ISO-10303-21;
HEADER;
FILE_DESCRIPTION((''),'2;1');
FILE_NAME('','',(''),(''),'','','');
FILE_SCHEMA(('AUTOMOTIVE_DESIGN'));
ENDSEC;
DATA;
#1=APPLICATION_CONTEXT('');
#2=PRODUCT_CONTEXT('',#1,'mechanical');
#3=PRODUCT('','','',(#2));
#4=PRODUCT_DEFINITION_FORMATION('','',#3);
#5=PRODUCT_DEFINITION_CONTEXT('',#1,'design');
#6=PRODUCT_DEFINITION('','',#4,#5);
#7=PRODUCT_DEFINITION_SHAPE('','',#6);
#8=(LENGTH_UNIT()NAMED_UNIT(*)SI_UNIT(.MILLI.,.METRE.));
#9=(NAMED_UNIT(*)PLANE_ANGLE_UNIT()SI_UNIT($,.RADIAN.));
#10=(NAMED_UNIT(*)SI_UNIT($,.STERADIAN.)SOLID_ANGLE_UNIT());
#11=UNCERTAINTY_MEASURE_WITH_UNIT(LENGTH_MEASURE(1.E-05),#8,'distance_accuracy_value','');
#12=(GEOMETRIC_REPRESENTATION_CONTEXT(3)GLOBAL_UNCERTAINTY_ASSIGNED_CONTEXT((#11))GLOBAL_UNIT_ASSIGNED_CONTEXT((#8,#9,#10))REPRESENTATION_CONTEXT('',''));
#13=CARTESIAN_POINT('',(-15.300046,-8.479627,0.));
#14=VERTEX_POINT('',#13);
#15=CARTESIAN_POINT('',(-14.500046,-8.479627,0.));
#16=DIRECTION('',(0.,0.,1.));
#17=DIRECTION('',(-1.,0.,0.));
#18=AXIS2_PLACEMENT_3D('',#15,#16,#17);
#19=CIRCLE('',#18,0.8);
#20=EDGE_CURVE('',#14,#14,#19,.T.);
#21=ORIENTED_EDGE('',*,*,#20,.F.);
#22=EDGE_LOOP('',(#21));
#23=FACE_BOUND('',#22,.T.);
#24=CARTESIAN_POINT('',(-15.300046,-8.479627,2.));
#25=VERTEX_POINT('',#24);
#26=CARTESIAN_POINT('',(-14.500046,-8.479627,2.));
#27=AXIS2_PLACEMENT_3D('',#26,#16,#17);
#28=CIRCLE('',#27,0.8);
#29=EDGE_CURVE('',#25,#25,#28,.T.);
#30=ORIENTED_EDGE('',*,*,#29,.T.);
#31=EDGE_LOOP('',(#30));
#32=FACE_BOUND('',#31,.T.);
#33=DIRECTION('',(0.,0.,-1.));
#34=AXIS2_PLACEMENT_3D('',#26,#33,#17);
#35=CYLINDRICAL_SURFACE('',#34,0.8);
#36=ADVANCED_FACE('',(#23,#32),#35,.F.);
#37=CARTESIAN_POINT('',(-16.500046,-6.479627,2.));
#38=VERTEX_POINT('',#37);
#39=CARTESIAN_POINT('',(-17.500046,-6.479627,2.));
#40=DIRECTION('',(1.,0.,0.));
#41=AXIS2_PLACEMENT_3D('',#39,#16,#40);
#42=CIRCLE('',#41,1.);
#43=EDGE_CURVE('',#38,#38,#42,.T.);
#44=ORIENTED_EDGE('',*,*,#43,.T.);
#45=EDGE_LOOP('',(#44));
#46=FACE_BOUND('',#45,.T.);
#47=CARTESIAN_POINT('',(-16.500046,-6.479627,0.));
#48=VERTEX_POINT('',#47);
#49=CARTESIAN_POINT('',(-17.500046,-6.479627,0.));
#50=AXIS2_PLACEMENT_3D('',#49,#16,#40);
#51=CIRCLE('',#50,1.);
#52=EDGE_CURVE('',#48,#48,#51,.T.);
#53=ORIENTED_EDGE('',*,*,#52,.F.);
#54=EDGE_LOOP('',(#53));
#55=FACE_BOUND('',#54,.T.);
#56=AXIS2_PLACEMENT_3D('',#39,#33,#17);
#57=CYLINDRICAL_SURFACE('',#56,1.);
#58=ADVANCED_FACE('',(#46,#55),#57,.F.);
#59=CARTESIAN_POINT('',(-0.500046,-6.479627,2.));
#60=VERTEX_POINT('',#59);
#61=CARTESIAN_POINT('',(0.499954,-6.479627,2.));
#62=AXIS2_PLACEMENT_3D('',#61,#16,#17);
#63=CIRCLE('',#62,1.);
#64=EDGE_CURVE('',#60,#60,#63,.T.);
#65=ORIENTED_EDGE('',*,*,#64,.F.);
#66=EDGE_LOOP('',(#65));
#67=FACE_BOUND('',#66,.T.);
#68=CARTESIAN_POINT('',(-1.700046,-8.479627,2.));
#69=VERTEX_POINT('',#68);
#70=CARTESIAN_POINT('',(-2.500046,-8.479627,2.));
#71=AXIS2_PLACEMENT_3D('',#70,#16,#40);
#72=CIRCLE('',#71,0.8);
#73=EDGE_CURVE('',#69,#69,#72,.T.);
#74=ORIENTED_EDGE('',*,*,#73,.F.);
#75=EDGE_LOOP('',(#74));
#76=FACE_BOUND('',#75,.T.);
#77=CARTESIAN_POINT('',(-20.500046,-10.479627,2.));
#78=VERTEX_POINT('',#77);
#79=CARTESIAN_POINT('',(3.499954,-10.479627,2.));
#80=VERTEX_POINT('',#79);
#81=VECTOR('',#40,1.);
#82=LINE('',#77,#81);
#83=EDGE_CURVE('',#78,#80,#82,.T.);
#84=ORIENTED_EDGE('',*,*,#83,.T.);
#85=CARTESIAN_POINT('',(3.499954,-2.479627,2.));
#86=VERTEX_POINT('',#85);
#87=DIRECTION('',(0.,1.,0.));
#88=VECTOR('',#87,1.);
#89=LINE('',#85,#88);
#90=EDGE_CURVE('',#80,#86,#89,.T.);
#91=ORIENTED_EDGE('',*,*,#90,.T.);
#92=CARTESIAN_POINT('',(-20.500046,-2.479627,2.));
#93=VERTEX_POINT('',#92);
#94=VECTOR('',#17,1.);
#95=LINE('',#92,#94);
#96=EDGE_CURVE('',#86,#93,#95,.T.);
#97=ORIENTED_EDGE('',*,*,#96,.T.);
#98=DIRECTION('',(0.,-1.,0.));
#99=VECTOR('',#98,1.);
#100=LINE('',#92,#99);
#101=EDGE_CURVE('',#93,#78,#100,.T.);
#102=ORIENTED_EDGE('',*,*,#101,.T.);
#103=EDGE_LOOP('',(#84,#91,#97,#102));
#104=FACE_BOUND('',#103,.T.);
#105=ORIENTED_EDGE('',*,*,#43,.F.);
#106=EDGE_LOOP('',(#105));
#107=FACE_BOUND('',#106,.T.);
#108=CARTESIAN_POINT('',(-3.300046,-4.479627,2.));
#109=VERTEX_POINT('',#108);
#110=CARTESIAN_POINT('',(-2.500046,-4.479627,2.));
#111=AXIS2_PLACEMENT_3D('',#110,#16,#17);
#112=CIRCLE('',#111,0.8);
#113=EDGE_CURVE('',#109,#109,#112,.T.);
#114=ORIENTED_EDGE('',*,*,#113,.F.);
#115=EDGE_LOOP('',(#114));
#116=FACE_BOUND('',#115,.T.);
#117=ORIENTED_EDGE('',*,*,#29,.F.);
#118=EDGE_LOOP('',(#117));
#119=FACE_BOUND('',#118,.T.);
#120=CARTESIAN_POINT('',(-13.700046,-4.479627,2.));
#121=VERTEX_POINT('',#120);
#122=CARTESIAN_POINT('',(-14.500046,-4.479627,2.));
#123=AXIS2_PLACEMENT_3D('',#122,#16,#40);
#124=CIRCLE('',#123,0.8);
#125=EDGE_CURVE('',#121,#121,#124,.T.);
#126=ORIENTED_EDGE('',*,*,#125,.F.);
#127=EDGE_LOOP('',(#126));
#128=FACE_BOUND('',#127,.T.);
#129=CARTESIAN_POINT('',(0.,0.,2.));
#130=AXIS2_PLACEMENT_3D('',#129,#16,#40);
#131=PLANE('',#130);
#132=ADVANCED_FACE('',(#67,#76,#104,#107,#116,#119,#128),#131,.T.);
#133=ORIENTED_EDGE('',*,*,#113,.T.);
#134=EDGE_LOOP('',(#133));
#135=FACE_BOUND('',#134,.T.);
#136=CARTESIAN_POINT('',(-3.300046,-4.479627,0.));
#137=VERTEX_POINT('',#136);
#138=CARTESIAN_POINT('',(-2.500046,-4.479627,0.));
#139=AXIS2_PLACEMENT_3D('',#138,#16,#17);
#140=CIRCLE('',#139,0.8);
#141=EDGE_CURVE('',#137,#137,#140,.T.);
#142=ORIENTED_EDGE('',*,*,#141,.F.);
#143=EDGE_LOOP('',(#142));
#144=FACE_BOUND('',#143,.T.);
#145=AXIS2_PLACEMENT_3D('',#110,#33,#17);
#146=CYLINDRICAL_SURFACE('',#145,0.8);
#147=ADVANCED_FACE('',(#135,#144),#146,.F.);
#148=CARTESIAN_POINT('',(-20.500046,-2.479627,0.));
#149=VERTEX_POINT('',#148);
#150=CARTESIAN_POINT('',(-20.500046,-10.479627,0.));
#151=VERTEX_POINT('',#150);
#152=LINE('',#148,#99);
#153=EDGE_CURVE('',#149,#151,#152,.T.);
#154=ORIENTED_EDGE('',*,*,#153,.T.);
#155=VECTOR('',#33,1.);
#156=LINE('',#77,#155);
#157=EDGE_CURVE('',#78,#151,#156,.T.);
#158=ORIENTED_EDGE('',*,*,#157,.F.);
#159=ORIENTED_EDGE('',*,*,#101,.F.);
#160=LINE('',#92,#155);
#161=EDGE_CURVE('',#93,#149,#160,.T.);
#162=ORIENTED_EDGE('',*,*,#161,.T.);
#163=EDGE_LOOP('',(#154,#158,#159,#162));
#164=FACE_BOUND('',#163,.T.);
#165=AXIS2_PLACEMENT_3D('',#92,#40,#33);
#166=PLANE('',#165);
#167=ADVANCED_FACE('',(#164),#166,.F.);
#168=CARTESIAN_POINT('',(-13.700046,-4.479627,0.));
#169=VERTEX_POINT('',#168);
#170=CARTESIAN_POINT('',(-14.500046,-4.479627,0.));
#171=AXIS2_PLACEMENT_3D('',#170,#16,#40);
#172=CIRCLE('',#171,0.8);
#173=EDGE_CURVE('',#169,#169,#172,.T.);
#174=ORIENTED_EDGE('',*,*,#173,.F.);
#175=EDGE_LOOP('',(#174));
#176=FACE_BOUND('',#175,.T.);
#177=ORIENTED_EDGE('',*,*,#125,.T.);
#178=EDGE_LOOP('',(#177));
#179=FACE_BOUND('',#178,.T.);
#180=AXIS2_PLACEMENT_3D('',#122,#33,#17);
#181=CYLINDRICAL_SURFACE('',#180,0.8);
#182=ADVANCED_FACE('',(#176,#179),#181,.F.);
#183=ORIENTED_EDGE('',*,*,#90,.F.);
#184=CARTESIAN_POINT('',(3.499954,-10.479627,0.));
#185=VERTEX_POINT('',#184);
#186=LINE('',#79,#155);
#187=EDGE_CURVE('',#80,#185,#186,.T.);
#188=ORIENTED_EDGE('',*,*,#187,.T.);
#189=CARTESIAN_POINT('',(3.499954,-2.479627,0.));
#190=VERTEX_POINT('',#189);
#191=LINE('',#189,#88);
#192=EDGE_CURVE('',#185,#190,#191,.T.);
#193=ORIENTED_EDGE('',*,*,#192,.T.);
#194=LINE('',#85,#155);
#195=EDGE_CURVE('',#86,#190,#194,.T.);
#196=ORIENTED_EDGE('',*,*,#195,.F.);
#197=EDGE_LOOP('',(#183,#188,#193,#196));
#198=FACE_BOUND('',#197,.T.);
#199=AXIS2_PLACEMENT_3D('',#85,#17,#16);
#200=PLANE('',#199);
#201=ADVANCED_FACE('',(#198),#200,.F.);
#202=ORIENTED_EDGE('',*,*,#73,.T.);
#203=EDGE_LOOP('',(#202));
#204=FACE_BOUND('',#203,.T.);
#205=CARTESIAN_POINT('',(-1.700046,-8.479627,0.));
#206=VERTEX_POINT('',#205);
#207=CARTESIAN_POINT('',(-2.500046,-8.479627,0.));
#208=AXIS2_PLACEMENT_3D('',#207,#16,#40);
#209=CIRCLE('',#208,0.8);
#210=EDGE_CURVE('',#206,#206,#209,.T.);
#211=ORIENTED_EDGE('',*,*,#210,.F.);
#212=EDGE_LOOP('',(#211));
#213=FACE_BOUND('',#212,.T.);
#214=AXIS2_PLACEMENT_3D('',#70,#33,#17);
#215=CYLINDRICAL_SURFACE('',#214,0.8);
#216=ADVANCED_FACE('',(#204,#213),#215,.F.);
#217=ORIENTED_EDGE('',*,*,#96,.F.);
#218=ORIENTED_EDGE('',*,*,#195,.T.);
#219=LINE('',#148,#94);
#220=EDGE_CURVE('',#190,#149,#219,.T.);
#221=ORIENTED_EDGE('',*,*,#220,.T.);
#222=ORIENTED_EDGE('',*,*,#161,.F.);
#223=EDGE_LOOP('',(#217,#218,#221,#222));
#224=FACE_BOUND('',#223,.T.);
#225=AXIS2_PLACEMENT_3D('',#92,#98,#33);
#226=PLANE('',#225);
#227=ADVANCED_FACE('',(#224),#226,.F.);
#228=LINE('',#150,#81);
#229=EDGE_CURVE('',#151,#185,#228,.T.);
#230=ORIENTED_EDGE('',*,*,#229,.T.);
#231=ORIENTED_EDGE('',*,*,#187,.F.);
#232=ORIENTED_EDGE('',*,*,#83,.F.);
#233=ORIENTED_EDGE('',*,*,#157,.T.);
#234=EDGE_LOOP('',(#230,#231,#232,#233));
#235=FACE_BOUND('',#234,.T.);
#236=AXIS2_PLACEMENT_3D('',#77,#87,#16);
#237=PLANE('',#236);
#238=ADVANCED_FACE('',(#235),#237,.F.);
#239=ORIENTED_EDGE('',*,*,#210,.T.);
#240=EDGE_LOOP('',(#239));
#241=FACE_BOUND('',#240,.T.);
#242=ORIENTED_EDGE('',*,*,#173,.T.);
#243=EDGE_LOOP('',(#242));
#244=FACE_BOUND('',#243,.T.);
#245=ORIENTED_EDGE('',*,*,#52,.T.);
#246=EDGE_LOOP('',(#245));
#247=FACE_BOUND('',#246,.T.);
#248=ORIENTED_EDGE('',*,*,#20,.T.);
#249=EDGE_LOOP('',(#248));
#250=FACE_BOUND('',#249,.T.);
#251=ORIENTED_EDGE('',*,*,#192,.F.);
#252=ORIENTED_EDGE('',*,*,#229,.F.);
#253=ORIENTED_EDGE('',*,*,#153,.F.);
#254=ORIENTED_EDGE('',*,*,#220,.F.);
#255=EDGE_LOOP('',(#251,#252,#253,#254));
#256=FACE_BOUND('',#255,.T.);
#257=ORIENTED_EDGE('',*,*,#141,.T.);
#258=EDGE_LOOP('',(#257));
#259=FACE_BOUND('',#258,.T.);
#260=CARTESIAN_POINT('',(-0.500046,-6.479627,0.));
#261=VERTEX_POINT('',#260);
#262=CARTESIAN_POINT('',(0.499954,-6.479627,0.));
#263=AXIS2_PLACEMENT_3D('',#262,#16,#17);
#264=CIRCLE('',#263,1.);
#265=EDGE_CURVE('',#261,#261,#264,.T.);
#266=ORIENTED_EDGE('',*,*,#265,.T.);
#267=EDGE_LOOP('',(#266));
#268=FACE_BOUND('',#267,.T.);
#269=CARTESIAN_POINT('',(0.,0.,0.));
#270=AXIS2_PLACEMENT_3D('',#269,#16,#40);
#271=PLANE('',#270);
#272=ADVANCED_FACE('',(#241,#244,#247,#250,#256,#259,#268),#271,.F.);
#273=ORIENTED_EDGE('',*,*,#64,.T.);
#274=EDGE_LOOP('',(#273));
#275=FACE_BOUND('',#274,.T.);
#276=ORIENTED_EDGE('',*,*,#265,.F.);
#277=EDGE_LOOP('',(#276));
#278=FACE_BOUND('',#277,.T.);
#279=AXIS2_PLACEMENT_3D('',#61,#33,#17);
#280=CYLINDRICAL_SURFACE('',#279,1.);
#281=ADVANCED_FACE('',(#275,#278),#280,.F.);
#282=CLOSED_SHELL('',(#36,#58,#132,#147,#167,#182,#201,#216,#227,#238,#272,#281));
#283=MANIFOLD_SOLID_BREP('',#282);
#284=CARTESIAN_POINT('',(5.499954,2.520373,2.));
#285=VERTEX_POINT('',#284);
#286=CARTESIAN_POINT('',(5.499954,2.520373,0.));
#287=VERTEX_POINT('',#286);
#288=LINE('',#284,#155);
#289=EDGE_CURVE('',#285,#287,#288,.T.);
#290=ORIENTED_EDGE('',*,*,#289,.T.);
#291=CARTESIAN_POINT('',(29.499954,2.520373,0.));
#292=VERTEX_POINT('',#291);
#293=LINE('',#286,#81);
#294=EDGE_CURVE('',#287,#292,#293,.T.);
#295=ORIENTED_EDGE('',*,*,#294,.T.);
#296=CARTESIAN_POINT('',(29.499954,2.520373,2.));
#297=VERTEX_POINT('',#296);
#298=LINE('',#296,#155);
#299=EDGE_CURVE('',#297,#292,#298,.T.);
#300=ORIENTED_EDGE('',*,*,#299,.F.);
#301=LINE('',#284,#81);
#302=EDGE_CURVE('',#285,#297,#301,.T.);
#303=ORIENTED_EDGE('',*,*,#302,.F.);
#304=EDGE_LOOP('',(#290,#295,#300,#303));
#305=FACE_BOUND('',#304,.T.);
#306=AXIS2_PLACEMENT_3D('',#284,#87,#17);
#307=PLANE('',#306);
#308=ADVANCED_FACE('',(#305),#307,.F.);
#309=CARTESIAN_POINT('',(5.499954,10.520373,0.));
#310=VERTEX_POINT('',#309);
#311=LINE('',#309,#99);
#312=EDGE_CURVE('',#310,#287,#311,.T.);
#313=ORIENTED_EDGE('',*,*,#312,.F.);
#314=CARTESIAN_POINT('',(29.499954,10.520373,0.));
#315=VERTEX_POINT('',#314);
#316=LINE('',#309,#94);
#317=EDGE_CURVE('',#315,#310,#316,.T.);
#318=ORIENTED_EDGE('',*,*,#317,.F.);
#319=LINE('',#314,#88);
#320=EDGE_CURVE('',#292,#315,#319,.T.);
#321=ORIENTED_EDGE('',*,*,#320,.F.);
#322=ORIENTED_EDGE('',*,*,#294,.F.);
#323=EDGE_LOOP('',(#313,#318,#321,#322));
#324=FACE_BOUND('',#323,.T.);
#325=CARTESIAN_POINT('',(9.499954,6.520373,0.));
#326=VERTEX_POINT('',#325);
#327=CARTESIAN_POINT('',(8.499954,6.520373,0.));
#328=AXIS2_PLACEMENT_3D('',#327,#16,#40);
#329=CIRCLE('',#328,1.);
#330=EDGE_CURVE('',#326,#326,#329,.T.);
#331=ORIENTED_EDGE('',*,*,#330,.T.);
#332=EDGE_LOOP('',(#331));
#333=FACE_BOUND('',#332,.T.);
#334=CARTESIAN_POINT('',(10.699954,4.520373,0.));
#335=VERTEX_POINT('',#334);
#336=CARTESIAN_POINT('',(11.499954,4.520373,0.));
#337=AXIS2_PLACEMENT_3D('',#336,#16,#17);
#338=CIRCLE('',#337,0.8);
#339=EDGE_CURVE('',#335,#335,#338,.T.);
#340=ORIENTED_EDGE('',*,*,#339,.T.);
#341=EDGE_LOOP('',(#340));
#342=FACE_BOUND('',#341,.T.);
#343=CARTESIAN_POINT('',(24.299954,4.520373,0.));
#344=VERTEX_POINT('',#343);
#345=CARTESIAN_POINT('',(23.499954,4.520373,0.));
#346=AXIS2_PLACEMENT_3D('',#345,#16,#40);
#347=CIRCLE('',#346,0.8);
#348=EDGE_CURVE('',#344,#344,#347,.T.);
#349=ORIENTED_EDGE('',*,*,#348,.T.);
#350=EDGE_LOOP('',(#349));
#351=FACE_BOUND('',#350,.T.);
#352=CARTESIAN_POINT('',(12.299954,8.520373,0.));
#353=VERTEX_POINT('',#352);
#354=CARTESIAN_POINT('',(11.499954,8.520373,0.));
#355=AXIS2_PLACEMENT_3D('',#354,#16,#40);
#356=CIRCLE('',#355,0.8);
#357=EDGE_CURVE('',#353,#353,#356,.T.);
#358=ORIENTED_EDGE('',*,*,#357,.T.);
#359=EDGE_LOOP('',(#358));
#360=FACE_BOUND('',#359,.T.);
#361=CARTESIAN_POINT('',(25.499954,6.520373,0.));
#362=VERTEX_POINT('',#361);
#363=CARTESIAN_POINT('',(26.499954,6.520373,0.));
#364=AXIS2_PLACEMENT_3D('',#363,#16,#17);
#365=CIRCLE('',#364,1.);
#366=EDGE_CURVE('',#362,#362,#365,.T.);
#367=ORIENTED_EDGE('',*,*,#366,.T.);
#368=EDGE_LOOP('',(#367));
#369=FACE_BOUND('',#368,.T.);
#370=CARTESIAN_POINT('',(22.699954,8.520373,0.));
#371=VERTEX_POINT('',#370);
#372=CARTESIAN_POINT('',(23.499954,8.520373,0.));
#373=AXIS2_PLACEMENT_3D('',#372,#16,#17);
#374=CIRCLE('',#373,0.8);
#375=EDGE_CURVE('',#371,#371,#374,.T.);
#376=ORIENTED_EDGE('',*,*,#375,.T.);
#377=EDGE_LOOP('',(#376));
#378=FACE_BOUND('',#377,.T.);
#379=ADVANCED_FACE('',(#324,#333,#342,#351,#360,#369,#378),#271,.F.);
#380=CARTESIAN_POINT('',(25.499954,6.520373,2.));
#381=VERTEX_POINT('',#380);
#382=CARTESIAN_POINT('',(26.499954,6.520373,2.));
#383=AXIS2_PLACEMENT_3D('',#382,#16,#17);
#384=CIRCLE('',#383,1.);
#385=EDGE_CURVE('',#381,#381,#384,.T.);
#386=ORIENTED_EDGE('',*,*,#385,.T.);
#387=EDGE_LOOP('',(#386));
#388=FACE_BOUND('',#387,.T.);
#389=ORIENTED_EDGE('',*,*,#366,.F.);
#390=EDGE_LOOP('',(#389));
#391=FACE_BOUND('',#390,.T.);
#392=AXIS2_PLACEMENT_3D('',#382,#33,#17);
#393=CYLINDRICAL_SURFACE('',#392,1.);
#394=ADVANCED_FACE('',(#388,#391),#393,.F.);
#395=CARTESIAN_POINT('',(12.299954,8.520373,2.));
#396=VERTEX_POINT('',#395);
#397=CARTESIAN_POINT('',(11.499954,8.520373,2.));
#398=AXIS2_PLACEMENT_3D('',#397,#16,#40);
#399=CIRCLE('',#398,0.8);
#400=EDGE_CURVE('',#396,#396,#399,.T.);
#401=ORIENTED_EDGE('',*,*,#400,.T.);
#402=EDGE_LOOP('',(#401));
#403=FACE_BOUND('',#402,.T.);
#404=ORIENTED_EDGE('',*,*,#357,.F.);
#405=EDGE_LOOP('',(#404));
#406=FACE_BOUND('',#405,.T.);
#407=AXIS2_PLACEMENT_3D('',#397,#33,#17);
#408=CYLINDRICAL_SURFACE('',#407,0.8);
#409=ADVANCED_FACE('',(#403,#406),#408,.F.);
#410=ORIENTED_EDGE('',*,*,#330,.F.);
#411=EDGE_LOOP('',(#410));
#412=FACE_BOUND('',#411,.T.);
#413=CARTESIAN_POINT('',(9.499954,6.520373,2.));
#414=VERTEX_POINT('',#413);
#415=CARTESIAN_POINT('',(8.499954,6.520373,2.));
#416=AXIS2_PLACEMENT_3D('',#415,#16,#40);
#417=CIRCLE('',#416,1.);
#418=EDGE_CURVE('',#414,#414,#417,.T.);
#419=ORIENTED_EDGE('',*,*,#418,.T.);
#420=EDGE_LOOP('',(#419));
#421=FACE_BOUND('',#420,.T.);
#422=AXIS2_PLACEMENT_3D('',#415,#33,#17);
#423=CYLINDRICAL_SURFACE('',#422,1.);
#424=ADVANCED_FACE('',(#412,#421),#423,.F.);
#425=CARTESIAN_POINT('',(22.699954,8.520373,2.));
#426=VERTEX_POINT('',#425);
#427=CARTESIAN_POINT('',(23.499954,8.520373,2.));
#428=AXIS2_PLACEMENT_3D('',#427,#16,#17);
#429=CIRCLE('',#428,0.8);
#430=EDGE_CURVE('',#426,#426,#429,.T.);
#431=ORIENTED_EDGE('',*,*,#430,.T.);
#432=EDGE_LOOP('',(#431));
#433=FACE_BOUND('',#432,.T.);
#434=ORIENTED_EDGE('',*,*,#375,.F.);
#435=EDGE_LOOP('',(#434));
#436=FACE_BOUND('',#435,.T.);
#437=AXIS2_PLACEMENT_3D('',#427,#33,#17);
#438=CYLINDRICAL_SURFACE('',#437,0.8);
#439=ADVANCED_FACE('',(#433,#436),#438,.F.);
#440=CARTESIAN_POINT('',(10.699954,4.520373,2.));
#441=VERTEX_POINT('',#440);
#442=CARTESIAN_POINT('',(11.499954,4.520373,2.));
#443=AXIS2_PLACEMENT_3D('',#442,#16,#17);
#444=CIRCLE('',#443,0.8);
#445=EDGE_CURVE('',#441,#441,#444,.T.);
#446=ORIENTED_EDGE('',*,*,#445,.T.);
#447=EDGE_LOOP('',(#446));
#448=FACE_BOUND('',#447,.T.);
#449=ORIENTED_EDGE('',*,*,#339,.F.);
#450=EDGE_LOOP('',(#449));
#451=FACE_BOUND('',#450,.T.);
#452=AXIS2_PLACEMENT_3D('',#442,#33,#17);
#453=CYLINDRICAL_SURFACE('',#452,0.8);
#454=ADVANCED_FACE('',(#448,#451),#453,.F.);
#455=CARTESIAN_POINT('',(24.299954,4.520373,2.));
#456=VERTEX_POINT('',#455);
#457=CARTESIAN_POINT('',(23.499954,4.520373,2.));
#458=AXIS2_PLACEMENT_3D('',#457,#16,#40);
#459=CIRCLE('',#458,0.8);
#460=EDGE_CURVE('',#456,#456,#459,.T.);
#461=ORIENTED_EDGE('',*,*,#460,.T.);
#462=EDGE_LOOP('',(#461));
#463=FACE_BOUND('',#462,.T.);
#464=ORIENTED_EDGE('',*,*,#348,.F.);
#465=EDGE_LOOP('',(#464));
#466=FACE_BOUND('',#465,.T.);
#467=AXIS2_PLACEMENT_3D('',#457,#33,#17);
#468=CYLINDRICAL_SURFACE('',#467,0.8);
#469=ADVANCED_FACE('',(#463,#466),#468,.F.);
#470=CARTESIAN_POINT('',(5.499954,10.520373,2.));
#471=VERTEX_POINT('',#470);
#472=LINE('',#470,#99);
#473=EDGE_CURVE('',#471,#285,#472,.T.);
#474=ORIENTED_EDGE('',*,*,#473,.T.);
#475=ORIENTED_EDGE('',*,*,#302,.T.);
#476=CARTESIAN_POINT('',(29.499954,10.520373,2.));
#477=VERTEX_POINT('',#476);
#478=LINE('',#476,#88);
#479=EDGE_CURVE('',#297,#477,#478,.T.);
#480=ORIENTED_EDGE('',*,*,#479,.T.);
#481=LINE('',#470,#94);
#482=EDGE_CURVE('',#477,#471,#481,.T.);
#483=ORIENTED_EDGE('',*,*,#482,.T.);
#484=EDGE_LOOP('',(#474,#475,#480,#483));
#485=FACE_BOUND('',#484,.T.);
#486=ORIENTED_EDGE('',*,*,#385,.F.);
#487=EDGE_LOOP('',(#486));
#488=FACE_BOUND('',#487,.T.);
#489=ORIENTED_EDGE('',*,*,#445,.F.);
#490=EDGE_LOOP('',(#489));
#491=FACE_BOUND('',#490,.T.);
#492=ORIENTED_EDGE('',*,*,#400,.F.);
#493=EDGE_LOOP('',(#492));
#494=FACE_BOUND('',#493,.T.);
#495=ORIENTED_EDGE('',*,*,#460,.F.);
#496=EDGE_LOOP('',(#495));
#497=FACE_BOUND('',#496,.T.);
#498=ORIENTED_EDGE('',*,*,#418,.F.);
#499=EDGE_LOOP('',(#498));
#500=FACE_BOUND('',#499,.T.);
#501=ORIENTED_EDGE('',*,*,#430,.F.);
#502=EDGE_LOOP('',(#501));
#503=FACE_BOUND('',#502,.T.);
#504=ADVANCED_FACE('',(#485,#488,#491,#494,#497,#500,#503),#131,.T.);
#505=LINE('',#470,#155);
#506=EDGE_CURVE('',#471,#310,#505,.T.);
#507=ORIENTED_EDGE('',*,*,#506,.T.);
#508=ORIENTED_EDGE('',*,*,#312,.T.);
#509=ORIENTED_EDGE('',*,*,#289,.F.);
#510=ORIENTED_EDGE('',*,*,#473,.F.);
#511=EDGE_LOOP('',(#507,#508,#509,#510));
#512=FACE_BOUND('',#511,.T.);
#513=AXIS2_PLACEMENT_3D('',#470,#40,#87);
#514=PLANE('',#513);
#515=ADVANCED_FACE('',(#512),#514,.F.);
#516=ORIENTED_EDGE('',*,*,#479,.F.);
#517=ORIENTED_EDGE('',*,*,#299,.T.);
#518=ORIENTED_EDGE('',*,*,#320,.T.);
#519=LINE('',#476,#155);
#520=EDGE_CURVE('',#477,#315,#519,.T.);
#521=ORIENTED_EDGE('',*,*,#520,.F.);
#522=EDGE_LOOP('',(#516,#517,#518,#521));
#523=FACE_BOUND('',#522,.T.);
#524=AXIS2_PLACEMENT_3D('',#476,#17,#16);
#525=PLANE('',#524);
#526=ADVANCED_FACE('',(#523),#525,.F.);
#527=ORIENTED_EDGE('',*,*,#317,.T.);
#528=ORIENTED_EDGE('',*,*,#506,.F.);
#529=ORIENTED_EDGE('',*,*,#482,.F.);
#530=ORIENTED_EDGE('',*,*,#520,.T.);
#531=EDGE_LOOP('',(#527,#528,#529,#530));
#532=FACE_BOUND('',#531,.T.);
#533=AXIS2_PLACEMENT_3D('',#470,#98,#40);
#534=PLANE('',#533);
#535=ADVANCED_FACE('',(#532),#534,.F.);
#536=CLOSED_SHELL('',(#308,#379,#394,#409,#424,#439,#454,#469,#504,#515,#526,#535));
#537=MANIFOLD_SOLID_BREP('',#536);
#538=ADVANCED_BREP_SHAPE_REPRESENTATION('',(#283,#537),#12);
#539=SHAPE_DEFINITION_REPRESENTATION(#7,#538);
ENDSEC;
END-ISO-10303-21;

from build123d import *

# Parameters (mm, degrees)
SKETCH1_W             = 24
SKETCH1_H             = 8
SKETCH1_R             = 1
SKETCH1_R_2           = 0.8
BOSS_EXTRUDE1_DEPTH   = 2
BOSS_EXTRUDE1_2_DEPTH = 2


with BuildPart() as part:
    # Sketch1 → Boss-Extrude1 (new body)
    with BuildSketch(Plane.XY):
        with Locations((-8.500045519, -6.479626746)):
            Rectangle(SKETCH1_W, SKETCH1_H)
        with Locations(Location((0.499954481, -6.479626746, 0), (0, 0, 180))):
            Circle(SKETCH1_R, mode=Mode.SUBTRACT)
        with Locations((-14.500045519, -4.479626746)):
            Circle(SKETCH1_R_2, mode=Mode.SUBTRACT)
        with Locations((-2.500045519, -8.479626746)):
            Circle(SKETCH1_R_2, mode=Mode.SUBTRACT)
        with Locations(Location((-2.500045519, -4.479626746, 0), (0, 0, 180))):
            Circle(SKETCH1_R_2, mode=Mode.SUBTRACT)
        with Locations((-17.500045519, -6.479626746)):
            Circle(SKETCH1_R, mode=Mode.SUBTRACT)
        with Locations(Location((-14.500045519, -8.479626746, 0), (0, 0, 180))):
            Circle(SKETCH1_R_2, mode=Mode.SUBTRACT)
    extrude(amount=BOSS_EXTRUDE1_DEPTH)


with BuildPart() as body_2:
    # Sketch1 → Boss-Extrude1 2 (new body)
    with BuildSketch(Plane.XY):
        with Locations((17.499954481, 6.520373254)):
            Rectangle(SKETCH1_W, SKETCH1_H)
        with Locations((11.499954481, 8.520373254)):
            Circle(SKETCH1_R_2, mode=Mode.SUBTRACT)
        with Locations((8.499954481, 6.520373254)):
            Circle(SKETCH1_R, mode=Mode.SUBTRACT)
        with Locations(Location((11.499954481, 4.520373254, 0), (0, 0, 180))):
            Circle(SKETCH1_R_2, mode=Mode.SUBTRACT)
        with Locations((23.499954481, 4.520373254)):
            Circle(SKETCH1_R_2, mode=Mode.SUBTRACT)
        with Locations(Location((26.499954481, 6.520373254, 0), (0, 0, 180))):
            Circle(SKETCH1_R, mode=Mode.SUBTRACT)
        with Locations(Location((23.499954481, 8.520373254, 0), (0, 0, 180))):
            Circle(SKETCH1_R_2, mode=Mode.SUBTRACT)
    extrude(amount=BOSS_EXTRUDE1_2_DEPTH)


solid = Compound([part.part, body_2.part])
